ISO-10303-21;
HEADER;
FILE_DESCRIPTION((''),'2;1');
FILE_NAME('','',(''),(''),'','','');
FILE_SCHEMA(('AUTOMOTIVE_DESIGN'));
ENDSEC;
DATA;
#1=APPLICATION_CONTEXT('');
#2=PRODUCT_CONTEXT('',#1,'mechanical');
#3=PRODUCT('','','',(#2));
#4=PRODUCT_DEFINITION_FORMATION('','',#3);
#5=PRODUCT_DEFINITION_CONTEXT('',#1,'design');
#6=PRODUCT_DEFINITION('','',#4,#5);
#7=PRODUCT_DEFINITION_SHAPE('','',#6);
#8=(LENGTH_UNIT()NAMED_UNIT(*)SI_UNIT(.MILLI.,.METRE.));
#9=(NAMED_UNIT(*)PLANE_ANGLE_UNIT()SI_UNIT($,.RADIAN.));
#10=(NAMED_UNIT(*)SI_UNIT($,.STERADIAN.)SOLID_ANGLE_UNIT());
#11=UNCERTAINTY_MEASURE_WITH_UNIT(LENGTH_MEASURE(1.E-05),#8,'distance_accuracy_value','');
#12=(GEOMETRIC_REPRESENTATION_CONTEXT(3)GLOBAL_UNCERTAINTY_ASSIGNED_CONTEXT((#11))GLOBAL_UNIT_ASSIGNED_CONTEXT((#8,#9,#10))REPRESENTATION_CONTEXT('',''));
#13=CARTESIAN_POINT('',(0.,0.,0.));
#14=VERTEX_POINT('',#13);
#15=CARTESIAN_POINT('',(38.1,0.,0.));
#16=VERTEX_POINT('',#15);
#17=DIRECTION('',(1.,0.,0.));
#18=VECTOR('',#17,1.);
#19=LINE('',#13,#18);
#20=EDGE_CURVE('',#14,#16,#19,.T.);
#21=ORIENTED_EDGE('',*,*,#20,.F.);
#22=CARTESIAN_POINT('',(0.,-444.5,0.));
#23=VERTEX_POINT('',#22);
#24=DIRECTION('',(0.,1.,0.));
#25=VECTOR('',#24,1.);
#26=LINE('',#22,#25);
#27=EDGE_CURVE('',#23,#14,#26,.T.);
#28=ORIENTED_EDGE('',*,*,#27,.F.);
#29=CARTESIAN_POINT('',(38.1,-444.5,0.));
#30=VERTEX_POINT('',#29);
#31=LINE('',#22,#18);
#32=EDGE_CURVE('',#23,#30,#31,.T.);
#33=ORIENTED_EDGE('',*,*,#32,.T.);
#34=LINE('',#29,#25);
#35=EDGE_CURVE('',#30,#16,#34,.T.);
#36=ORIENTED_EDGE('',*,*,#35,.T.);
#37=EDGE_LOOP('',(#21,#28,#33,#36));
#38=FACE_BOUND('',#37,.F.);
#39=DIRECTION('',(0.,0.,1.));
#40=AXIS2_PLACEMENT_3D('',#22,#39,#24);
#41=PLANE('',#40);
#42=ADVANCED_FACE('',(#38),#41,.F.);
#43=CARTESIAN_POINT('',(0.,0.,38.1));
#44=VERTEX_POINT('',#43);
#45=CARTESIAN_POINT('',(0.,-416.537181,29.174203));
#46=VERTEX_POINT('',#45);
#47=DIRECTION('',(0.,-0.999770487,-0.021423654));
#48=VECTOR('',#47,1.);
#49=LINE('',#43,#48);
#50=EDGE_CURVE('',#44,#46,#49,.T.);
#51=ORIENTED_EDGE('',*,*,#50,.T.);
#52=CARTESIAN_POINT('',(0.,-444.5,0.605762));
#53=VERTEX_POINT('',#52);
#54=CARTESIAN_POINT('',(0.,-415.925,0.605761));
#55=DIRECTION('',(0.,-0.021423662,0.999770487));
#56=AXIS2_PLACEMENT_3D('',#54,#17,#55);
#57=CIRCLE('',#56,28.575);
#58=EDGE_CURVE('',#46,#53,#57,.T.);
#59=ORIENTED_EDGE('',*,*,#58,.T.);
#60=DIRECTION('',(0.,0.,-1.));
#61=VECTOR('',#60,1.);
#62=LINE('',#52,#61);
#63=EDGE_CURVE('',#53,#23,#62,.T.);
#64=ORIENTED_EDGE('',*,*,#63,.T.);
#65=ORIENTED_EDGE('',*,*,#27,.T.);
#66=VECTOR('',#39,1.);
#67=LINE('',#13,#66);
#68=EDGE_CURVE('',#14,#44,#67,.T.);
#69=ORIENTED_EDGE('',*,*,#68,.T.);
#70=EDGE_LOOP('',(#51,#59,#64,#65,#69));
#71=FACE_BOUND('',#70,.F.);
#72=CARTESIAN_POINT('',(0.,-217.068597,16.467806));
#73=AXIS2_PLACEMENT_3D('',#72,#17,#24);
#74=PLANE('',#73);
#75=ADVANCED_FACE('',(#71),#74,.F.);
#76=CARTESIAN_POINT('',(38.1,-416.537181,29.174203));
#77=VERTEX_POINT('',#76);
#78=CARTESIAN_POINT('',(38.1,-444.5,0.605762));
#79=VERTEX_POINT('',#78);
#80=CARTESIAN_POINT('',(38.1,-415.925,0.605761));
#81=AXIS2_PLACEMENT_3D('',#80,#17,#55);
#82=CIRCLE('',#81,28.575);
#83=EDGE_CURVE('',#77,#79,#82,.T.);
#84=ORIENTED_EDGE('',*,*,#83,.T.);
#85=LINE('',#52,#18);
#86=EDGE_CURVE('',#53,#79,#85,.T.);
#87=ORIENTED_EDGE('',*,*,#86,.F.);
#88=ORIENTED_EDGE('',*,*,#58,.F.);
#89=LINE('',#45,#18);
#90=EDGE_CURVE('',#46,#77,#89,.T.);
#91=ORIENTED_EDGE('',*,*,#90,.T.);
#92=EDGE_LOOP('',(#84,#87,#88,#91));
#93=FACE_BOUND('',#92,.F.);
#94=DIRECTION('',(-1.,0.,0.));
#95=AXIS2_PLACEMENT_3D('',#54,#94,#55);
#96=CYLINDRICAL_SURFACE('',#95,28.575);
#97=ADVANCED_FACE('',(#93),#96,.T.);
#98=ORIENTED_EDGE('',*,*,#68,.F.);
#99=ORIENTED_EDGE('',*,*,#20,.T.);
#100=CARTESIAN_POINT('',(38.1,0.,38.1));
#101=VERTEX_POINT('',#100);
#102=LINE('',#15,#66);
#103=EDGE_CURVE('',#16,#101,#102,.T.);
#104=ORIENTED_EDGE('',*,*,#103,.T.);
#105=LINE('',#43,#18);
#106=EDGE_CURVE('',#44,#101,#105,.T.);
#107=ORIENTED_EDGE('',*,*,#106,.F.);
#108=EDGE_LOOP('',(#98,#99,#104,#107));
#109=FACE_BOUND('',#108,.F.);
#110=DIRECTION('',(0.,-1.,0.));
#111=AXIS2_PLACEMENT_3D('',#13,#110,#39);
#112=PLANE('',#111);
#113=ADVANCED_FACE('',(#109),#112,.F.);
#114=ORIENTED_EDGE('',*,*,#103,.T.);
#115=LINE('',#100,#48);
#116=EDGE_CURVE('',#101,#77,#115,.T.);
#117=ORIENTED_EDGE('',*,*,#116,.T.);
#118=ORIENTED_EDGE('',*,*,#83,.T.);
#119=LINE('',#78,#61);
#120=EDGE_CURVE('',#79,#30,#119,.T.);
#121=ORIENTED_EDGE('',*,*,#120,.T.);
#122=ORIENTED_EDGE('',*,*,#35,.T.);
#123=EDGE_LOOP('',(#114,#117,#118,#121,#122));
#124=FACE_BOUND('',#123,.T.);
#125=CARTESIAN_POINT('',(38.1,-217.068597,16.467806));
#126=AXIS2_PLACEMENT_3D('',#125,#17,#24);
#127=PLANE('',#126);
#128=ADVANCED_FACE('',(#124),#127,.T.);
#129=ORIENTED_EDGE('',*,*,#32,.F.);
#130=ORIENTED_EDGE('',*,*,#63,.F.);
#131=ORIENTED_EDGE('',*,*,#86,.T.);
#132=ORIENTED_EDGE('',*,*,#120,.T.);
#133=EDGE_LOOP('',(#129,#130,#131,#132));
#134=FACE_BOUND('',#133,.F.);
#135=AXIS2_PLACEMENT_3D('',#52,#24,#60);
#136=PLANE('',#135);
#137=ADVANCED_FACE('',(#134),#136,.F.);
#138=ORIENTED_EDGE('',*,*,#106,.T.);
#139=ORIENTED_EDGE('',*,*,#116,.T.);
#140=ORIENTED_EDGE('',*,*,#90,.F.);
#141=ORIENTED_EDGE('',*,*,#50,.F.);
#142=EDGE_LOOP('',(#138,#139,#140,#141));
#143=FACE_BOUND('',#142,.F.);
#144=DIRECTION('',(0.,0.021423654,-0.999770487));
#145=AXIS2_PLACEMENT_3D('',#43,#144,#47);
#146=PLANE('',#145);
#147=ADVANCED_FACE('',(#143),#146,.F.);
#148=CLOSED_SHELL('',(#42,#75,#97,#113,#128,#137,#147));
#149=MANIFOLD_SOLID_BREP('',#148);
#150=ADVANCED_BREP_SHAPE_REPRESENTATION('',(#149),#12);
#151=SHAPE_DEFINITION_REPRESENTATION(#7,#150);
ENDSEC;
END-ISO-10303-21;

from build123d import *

# Parameters (mm, degrees)
F1_DEPTH = 38.1


with BuildPart() as f1:
    # F0 (on Right) → F1 (new body)
    with BuildSketch(Plane.YZ):
        with BuildLine():
            Line((-444.5, 0), (0, 0))
            Line((0, 0), (0, 38.1))
            Line((0, 38.1), (-416.537181, 29.174203))
            ThreePointArc((-416.537181, 29.174203), (-436.345868, 20.593727), (-444.5, 0.605762))
            Line((-444.5, 0.605762), (-444.5, 0))
        make_face()
    extrude(amount=F1_DEPTH)


solid = f1.part
